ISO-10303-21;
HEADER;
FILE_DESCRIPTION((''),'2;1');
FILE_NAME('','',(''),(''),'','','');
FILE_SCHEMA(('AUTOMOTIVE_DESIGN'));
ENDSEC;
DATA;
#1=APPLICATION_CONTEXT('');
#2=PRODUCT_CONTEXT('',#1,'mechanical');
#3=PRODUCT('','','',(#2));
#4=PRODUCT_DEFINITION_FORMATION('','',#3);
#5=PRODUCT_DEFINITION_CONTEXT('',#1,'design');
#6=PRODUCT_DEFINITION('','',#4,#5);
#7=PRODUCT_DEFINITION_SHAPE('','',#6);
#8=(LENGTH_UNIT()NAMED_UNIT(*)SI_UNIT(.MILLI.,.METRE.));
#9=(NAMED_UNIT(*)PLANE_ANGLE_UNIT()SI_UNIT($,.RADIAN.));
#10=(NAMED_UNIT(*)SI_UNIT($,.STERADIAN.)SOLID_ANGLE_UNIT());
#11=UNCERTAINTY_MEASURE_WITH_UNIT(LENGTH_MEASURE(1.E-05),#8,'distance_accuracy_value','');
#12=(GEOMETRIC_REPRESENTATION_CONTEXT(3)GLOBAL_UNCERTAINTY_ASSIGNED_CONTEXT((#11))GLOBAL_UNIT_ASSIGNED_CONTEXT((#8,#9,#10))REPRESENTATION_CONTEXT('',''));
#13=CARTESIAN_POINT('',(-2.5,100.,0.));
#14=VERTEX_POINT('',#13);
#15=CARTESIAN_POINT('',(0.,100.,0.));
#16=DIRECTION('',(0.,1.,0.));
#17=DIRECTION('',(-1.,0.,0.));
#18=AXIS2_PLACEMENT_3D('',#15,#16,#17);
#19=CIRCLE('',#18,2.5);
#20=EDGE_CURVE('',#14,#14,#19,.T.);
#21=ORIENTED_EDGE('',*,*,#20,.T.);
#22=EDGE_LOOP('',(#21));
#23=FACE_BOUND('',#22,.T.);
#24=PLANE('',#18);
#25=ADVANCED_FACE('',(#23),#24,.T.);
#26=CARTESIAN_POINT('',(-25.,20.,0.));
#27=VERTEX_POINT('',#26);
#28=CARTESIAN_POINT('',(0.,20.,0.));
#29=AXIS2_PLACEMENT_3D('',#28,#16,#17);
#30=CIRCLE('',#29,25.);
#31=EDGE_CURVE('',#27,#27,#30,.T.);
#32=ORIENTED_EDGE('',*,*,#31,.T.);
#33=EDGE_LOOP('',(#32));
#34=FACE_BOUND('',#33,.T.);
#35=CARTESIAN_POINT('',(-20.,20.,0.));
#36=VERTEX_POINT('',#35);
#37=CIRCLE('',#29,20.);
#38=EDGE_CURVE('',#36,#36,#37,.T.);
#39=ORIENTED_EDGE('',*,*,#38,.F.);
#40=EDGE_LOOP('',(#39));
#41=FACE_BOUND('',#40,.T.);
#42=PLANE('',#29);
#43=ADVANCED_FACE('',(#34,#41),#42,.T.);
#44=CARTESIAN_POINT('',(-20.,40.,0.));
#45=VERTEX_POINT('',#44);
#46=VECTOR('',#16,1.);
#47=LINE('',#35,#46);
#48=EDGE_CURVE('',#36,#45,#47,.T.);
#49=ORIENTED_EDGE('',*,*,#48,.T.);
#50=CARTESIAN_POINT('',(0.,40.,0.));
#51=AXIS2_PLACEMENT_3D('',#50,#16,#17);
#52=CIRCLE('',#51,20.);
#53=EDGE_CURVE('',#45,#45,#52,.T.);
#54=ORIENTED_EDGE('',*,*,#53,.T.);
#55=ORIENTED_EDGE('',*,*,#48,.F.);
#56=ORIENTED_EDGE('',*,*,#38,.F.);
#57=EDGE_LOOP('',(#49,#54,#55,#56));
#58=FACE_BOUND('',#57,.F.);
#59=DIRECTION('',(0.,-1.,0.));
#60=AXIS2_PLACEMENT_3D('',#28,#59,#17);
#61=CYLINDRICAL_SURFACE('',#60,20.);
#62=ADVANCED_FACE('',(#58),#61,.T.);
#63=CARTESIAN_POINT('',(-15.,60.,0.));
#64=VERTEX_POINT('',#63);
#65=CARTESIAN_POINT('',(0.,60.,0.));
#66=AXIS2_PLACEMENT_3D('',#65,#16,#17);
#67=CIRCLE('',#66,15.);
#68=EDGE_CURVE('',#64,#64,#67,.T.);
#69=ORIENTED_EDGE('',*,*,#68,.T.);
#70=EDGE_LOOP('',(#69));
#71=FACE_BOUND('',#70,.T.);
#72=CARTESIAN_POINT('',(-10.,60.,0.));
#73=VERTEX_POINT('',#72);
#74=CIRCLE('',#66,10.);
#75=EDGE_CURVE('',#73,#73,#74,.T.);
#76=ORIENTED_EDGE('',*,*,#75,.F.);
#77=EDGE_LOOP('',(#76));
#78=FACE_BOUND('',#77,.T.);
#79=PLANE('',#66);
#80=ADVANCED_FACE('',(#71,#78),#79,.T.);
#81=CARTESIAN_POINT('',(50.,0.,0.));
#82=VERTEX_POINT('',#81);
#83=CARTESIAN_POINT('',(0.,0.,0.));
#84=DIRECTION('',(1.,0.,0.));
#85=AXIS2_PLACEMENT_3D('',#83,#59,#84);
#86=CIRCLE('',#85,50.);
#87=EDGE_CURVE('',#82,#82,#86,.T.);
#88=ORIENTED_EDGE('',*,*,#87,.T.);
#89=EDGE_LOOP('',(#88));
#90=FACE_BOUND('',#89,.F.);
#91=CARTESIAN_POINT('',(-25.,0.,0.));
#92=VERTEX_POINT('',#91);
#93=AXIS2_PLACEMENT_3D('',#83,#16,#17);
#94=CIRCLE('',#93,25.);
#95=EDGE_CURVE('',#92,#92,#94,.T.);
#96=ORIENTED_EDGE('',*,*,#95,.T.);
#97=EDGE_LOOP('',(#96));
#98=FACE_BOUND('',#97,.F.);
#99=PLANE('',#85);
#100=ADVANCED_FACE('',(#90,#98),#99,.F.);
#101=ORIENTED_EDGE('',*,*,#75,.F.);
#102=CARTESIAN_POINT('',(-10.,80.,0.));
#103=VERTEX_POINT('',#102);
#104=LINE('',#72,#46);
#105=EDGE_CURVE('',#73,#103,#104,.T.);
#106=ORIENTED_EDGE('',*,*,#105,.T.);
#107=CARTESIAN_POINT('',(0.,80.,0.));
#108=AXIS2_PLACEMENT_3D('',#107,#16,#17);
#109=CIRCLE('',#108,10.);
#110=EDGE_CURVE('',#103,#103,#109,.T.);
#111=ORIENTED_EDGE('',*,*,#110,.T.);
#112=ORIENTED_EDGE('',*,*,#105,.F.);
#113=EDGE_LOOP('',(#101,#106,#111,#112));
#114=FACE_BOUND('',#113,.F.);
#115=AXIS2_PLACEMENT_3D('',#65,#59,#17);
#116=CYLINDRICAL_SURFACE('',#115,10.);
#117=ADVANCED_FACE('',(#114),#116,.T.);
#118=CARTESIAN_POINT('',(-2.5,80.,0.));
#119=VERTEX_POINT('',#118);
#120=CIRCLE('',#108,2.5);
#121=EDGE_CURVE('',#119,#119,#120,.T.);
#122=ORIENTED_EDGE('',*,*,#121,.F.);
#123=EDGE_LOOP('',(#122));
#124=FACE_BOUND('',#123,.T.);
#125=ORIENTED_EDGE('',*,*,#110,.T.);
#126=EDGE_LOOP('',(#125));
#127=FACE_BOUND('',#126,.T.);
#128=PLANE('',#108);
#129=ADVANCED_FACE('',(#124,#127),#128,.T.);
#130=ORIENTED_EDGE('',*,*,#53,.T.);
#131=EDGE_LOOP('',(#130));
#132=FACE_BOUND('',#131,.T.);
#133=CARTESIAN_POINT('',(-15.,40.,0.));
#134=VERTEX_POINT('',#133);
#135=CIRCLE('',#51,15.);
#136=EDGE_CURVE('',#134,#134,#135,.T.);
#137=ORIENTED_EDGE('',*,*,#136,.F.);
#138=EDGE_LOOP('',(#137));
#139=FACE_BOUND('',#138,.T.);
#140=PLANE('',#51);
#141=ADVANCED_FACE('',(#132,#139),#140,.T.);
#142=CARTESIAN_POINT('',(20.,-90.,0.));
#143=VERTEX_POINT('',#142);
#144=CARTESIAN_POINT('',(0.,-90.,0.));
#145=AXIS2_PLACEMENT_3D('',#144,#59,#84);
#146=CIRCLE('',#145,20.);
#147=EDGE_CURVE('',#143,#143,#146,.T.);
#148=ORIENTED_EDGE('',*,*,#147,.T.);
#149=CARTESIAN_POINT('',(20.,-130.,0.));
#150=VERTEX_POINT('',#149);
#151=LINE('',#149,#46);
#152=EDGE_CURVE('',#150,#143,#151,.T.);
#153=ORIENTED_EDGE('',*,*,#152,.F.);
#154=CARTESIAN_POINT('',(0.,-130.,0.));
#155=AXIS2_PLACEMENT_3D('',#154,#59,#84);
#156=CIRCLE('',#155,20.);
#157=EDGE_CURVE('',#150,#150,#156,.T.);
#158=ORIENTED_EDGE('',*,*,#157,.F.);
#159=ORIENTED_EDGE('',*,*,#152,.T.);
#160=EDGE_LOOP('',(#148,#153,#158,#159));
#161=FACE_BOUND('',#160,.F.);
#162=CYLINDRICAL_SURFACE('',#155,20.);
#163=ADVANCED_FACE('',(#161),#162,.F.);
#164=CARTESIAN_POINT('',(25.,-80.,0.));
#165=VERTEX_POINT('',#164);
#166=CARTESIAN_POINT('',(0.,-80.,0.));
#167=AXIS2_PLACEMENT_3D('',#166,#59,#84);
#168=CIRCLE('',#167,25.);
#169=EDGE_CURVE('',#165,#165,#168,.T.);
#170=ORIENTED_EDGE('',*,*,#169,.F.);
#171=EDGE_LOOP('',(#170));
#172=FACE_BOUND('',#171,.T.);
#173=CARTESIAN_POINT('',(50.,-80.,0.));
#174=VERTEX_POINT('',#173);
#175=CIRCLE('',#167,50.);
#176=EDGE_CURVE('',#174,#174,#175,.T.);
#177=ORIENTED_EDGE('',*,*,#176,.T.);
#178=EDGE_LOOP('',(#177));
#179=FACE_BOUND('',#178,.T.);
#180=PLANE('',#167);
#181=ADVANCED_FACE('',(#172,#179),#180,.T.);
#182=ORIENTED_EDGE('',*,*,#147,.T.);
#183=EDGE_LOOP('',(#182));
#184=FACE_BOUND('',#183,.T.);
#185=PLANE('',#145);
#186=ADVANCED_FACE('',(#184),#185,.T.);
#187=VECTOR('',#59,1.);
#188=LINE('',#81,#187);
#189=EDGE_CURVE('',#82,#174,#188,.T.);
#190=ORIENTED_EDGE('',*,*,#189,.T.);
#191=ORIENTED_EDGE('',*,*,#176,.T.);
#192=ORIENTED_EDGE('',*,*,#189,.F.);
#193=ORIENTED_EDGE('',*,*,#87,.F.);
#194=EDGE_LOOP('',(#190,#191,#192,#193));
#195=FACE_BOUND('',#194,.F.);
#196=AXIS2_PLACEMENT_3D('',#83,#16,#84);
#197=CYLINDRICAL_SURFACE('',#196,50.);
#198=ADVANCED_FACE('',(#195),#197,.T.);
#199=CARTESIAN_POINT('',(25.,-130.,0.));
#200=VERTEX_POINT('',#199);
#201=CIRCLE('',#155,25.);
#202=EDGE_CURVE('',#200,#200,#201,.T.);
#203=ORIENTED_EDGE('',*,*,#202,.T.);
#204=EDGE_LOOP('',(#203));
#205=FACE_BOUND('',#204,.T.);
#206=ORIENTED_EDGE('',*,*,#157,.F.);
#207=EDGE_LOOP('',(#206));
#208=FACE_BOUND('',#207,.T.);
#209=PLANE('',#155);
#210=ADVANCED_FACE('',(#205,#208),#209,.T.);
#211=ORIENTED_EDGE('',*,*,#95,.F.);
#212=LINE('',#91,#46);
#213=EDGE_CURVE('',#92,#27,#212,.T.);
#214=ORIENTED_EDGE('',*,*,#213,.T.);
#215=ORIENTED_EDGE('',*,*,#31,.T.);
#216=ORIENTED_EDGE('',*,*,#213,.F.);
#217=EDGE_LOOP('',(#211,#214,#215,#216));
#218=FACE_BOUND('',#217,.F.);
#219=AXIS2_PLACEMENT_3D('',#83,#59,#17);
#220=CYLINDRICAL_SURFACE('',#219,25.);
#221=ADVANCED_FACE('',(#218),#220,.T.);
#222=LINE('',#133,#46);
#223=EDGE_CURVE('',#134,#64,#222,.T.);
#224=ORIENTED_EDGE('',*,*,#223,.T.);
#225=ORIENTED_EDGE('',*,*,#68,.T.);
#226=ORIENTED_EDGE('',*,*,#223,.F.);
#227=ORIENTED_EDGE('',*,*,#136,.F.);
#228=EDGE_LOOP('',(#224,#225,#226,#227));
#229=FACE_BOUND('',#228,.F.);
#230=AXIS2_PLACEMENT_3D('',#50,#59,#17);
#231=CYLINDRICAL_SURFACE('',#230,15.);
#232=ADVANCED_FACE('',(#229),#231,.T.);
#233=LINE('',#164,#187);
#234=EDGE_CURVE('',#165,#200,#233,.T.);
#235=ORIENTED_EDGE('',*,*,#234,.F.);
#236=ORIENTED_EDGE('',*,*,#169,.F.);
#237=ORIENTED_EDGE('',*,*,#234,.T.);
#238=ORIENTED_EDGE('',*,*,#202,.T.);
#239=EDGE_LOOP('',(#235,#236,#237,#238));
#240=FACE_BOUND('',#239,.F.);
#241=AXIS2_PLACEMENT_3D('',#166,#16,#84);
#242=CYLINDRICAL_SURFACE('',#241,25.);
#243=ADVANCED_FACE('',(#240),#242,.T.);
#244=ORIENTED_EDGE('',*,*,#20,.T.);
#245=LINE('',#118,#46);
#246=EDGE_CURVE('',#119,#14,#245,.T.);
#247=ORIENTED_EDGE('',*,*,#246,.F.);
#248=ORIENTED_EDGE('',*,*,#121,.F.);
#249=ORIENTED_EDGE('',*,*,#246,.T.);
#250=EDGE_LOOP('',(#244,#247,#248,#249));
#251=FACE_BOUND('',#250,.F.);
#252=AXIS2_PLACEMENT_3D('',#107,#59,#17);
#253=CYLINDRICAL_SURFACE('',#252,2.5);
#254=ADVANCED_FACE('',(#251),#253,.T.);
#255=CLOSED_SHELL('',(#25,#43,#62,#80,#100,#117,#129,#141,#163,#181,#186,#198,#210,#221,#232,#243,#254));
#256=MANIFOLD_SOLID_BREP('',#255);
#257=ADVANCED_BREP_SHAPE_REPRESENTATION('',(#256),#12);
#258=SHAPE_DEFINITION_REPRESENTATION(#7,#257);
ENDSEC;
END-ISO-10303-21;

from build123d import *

# Parameters (mm, degrees)
F0_R      = 50
F1_DEPTH  = 80
F2_R      = 25
F3_DEPTH  = 50
F4_R      = 20
F5_DEPTH  = 40
F6_R      = 25
F7_DEPTH  = 20
F8_R      = 20
F9_DEPTH  = 20
F10_R     = 15
F11_DEPTH = 20
F12_R     = 10
F13_DEPTH = 20
F14_R     = 2.5
F15_DEPTH = 20


with BuildPart() as f1:
    # F0 (on Front) → F1 (new body)
    with BuildSketch(Plane.XZ):
        Circle(F0_R)
    extrude(amount=F1_DEPTH)

    # F2 (on face) → F3 (join)
    with BuildSketch(Plane.XZ.offset(80)):
        Circle(F2_R)
    extrude(amount=F3_DEPTH)

    # F4 (on face) → F5 (cut)
    with BuildSketch(Plane.XZ.offset(130)):
        Circle(F4_R)
    extrude(amount=-F5_DEPTH, mode=Mode.SUBTRACT)

    # F6 (on face) → F7 (join)
    with BuildSketch(Plane(origin=(0, 0, 0), x_dir=(-1, 0, 0), z_dir=(0, 1, 0))):
        Circle(F6_R)
    extrude(amount=F7_DEPTH)

    # F8 (on face) → F9 (join)
    with BuildSketch(Plane(origin=(0, 20, 0), x_dir=(-1, 0, 0), z_dir=(0, 1, 0))):
        Circle(F8_R)
    extrude(amount=F9_DEPTH)

    # F10 (on face) → F11 (join)
    with BuildSketch(Plane(origin=(0, 40, 0), x_dir=(-1, 0, 0), z_dir=(0, 1, 0))):
        Circle(F10_R)
    extrude(amount=F11_DEPTH)

    # F12 (on face) → F13 (join)
    with BuildSketch(Plane(origin=(0, 60, 0), x_dir=(-1, 0, 0), z_dir=(0, 1, 0))):
        Circle(F12_R)
    extrude(amount=F13_DEPTH)

    # F14 (on face) → F15 (join)
    with BuildSketch(Plane(origin=(0, 80, 0), x_dir=(-1, 0, 0), z_dir=(0, 1, 0))):
        Circle(F14_R)
    extrude(amount=F15_DEPTH)


solid = f1.part
